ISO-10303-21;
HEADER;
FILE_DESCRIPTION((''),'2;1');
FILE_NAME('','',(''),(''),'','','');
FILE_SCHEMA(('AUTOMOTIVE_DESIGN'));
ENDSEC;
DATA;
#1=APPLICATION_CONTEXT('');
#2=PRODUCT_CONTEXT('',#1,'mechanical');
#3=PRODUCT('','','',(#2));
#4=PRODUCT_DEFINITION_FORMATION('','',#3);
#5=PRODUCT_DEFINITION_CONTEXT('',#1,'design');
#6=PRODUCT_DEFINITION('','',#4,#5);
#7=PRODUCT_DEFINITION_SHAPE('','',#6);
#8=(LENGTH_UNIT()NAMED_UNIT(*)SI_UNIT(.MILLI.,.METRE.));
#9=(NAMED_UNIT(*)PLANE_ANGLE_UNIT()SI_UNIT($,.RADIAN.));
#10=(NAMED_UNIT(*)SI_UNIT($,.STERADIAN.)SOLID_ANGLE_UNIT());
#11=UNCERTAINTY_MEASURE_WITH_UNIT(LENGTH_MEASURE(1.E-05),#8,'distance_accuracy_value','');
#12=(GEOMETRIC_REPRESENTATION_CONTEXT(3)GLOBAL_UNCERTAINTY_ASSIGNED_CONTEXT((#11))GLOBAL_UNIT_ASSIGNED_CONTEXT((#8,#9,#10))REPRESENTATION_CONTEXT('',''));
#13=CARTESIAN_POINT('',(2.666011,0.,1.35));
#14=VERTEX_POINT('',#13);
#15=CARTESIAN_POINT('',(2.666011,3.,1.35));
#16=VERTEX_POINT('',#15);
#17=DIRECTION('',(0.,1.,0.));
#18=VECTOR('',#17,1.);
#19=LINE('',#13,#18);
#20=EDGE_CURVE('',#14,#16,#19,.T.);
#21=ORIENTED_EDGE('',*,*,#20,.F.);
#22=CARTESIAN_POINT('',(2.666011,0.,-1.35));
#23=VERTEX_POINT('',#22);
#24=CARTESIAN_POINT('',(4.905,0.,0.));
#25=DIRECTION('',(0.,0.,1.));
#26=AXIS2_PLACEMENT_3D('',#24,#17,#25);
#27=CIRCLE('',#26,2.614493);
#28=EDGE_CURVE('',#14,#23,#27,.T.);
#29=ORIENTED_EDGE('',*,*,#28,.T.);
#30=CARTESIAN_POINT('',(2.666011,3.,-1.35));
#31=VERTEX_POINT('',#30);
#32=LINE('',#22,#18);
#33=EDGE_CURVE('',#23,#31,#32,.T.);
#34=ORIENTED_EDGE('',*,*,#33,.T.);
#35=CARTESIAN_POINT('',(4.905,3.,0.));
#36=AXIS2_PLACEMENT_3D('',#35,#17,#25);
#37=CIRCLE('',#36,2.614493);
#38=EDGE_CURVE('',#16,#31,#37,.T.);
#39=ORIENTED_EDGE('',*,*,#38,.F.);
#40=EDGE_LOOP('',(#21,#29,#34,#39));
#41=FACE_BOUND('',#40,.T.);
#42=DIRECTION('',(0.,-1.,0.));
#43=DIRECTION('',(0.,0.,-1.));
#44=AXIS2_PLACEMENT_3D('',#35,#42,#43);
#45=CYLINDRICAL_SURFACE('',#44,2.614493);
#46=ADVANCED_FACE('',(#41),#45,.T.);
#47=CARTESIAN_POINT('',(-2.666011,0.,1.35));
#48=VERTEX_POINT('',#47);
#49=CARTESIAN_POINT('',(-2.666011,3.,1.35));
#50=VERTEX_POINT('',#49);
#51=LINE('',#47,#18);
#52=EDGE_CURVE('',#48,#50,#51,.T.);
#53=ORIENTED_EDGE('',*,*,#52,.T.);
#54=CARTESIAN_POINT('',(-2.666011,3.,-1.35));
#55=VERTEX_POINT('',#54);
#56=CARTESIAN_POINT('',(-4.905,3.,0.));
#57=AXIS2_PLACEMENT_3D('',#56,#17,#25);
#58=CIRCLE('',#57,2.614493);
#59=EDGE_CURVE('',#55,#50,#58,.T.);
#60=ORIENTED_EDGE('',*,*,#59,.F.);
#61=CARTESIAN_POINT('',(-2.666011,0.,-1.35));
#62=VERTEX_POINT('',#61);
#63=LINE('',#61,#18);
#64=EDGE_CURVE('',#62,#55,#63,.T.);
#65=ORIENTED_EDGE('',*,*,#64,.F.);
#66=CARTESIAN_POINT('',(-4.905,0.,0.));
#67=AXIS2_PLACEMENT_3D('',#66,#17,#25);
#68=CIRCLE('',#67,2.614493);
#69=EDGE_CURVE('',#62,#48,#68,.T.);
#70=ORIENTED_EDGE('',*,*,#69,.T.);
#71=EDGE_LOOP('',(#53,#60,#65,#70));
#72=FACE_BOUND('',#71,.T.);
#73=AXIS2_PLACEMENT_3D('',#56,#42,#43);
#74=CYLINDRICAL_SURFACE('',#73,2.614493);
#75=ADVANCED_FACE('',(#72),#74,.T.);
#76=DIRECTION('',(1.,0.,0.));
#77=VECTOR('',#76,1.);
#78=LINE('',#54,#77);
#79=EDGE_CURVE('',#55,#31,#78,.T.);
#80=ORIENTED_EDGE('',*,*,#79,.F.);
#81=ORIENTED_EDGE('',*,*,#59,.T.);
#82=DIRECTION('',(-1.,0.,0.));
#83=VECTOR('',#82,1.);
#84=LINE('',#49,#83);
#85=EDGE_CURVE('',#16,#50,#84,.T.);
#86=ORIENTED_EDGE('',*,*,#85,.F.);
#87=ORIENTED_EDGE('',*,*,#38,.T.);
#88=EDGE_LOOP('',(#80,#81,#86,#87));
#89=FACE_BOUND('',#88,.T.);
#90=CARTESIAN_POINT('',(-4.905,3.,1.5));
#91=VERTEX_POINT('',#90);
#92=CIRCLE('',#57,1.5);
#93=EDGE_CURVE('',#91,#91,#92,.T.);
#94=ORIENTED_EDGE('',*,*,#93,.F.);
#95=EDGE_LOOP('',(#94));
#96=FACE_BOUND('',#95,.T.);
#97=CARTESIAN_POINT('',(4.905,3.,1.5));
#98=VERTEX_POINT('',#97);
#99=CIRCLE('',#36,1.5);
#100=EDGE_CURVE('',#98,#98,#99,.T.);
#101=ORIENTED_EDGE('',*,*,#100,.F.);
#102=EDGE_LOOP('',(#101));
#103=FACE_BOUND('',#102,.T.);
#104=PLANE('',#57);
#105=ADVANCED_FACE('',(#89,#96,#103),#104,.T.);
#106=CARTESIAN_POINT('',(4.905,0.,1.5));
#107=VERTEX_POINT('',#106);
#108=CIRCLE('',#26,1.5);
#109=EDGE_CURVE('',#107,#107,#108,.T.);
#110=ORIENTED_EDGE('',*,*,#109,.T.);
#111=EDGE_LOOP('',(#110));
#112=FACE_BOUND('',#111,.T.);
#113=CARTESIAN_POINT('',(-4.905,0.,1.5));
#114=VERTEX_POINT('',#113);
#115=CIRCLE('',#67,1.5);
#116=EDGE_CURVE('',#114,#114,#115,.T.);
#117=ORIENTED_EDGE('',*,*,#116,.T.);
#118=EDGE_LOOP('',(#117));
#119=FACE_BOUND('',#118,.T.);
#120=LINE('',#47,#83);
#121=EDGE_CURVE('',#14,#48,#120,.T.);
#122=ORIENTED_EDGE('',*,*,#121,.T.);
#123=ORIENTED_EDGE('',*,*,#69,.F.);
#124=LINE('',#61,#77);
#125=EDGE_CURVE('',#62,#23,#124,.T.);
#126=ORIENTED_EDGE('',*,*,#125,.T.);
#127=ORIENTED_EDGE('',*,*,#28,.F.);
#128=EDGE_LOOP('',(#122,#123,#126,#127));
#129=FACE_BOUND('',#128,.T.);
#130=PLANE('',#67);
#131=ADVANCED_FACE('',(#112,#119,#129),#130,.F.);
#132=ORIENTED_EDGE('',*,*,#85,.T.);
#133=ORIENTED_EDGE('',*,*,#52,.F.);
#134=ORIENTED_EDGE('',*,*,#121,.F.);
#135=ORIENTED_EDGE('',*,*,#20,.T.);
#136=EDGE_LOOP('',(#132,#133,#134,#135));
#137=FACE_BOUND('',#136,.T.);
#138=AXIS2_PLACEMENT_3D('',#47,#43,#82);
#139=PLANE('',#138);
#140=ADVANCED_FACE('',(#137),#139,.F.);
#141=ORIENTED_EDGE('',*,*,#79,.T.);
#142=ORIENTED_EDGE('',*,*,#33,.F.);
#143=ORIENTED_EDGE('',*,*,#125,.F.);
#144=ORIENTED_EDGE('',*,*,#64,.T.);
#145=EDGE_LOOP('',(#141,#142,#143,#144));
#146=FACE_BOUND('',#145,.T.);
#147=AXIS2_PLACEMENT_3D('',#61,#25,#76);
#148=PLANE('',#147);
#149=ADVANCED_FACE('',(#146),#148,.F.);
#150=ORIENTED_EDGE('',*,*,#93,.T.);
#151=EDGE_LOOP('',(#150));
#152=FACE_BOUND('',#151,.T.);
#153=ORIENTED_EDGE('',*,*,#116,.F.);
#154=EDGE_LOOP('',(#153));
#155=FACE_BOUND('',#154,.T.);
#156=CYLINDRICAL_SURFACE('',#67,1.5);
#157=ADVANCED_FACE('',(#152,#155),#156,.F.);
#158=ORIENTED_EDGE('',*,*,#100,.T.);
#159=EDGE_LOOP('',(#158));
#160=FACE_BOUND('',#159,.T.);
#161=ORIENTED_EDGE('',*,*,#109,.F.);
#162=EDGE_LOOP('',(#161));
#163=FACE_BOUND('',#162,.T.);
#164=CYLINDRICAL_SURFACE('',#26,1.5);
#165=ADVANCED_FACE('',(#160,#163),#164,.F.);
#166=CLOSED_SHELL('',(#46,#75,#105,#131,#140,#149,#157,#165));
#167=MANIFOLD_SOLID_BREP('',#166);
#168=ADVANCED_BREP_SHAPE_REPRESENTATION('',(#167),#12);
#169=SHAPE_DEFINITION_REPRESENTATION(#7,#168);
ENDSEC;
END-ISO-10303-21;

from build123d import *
from build123d.topology import SkipClean

# Parameters (mm, degrees)
BOSS_EXTRUDE1_DEPTH = 3
SKETCH2_R           = 1.5
CUT_EXTRUDE1_DEPTH  = 9.507546276
CUT_EXTRUDE2_DEPTH  = 9.507546276


with BuildPart() as part:
    # Sketch1 → Boss-Extrude1 (new body)
    with BuildSketch(Plane(origin=(0, 0, 0), x_dir=(1, 0, 0), z_dir=(0, 1, 0))):
        with BuildLine():
            Line((-4.905, 2.614492754), (4.905, 2.614492754))
            ThreePointArc((4.905, 2.614492754), (7.519492754, 0), (4.905, -2.614492754))
            Line((4.905, -2.614492754), (-4.905, -2.614492754))
            ThreePointArc((-4.905, -2.614492754), (-7.519492754, 0), (-4.905, 2.614492754))
        make_face()
    extrude(amount=BOSS_EXTRUDE1_DEPTH)

    # Sketch2 → Cut-Extrude1 (cut, through all)
    with BuildSketch(Plane(origin=(0, 3, 0), x_dir=(1, 0, 0), z_dir=(0, 1, 0))):
        with Locations(Location((-4.905, 0, 0), (0, 0, 270))):
            Circle(SKETCH2_R)
        with Locations(Location((4.905, 0, 0), (0, 0, 270))):
            Circle(SKETCH2_R)
    extrude(amount=-CUT_EXTRUDE1_DEPTH, mode=Mode.SUBTRACT)

    # Sketch3 → Cut-Extrude2 (cut, through all)
    with SkipClean():  # the faces are left unmerged after this step: merging them gives an invalid solid
        with BuildSketch(Plane(origin=(0, 3, 0), x_dir=(1, 0, 0), z_dir=(0, 1, 0))):
            with BuildLine():
                Line((-2.666010862, 1.35), (2.666010862, 1.35))
                ThreePointArc((2.666010862, 1.35), (3.619308135, 2.276525596), (4.905, 2.614492754))
                Line((4.905, 2.614492754), (-4.905, 2.614492754))
                ThreePointArc((-4.905, 2.614492754), (-3.619308135, 2.276525596), (-2.666010862, 1.35))
            make_face()
            with BuildLine():
                Line((-2.666010862, -1.35), (2.666010862, -1.35))
                ThreePointArc((2.666010862, -1.35), (3.619308135, -2.276525596), (4.905, -2.614492754))
                Line((4.905, -2.614492754), (-4.905, -2.614492754))
                ThreePointArc((-4.905, -2.614492754), (-3.619308135, -2.276525596), (-2.666010862, -1.35))
            make_face()
        extrude(amount=-CUT_EXTRUDE2_DEPTH, mode=Mode.SUBTRACT)


solid = part.part
